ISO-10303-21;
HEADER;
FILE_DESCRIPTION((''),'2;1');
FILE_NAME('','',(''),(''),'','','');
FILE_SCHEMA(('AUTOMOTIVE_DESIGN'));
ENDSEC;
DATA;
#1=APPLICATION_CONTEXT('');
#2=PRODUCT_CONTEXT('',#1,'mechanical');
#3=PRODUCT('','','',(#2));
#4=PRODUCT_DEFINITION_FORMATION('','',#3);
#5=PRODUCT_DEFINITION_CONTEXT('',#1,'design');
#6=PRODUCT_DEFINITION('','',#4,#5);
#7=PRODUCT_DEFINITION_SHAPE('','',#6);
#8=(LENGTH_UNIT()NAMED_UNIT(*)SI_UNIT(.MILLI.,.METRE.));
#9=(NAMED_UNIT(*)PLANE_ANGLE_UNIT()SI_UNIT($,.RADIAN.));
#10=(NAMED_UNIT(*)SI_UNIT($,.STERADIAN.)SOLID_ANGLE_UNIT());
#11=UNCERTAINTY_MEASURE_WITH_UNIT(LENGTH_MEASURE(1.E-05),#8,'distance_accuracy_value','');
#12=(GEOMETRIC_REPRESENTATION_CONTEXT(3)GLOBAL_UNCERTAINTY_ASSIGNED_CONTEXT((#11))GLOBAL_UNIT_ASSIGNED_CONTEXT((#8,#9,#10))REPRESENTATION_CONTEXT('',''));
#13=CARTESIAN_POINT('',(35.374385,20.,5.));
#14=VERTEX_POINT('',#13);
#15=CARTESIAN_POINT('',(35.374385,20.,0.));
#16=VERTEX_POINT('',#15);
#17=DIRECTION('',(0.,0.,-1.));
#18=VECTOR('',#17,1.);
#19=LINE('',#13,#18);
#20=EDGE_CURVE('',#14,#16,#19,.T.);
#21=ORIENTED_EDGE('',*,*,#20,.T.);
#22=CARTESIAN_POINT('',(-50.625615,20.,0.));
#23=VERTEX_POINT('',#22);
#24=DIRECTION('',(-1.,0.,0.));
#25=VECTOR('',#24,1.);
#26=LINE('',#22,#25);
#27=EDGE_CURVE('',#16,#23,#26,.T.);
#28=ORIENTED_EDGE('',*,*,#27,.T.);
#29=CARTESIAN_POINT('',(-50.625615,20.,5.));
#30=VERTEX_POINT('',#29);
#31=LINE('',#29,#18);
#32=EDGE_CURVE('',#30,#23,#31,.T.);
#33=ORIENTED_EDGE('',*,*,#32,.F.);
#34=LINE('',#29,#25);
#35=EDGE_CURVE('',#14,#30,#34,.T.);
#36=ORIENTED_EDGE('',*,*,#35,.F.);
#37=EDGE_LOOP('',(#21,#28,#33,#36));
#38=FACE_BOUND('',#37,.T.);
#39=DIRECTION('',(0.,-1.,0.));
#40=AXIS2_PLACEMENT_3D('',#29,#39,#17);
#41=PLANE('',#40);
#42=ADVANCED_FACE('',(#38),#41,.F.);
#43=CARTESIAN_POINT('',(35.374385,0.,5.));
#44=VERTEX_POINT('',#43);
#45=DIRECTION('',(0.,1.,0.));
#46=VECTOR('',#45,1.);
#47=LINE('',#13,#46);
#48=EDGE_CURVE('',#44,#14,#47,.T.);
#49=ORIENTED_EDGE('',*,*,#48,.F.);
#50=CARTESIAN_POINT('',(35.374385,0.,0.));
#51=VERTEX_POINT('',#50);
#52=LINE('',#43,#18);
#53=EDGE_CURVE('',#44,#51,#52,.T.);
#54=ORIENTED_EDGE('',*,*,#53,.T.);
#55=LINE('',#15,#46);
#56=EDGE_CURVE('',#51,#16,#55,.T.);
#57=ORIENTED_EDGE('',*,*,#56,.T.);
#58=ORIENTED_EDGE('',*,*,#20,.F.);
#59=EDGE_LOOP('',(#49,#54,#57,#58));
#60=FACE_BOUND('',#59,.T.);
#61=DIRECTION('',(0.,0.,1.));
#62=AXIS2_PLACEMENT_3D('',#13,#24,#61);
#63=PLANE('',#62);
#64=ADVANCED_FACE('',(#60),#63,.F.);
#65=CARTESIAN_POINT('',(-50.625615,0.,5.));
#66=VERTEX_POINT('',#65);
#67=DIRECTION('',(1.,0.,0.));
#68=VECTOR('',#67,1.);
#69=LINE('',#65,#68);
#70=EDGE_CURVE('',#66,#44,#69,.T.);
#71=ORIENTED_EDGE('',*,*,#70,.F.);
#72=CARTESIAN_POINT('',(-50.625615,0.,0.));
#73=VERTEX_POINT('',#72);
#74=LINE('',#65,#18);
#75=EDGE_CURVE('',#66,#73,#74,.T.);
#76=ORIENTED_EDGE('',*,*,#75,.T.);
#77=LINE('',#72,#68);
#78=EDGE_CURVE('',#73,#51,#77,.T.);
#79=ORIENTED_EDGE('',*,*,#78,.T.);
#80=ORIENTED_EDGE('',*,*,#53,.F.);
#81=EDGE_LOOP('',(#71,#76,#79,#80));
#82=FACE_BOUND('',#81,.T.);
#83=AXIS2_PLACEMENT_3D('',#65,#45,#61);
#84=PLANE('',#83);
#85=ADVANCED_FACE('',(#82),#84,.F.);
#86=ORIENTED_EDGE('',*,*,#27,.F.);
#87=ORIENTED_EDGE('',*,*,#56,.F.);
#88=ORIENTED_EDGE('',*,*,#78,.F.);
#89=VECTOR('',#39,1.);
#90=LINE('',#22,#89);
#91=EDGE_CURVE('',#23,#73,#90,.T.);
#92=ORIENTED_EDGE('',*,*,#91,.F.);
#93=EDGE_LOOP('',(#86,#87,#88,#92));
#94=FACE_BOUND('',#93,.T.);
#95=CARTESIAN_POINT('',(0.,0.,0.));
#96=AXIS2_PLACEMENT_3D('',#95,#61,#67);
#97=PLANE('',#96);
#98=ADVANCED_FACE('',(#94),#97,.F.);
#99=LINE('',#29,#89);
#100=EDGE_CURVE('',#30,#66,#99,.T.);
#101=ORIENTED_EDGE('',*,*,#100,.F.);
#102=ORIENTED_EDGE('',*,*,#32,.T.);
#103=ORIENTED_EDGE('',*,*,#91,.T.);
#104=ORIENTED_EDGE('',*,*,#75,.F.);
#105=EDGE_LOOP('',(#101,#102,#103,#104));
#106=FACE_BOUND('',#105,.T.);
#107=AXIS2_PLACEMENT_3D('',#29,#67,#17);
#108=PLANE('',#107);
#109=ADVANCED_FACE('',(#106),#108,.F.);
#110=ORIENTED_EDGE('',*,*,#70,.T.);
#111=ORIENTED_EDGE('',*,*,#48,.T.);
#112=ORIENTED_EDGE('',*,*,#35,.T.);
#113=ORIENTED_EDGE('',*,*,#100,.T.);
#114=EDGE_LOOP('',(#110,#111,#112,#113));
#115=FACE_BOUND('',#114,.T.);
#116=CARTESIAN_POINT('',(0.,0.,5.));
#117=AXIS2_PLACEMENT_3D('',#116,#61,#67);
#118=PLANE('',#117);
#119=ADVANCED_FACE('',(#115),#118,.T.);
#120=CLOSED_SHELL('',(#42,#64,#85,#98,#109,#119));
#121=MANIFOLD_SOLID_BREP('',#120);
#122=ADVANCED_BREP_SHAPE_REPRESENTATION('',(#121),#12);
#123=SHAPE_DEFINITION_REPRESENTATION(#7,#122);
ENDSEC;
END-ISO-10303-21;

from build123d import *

# Parameters (mm, degrees)
ESQUISSE1_W        = 86
ESQUISSE1_H        = 20
BOSS_EXTRU_1_DEPTH = 5


with BuildPart() as part:
    # Esquisse1 → Boss.-Extru.1 (new body)
    with BuildSketch(Plane.XY):
        with Locations((-7.625614695, 10)):
            Rectangle(ESQUISSE1_W, ESQUISSE1_H)
    extrude(amount=BOSS_EXTRU_1_DEPTH)


solid = part.part
